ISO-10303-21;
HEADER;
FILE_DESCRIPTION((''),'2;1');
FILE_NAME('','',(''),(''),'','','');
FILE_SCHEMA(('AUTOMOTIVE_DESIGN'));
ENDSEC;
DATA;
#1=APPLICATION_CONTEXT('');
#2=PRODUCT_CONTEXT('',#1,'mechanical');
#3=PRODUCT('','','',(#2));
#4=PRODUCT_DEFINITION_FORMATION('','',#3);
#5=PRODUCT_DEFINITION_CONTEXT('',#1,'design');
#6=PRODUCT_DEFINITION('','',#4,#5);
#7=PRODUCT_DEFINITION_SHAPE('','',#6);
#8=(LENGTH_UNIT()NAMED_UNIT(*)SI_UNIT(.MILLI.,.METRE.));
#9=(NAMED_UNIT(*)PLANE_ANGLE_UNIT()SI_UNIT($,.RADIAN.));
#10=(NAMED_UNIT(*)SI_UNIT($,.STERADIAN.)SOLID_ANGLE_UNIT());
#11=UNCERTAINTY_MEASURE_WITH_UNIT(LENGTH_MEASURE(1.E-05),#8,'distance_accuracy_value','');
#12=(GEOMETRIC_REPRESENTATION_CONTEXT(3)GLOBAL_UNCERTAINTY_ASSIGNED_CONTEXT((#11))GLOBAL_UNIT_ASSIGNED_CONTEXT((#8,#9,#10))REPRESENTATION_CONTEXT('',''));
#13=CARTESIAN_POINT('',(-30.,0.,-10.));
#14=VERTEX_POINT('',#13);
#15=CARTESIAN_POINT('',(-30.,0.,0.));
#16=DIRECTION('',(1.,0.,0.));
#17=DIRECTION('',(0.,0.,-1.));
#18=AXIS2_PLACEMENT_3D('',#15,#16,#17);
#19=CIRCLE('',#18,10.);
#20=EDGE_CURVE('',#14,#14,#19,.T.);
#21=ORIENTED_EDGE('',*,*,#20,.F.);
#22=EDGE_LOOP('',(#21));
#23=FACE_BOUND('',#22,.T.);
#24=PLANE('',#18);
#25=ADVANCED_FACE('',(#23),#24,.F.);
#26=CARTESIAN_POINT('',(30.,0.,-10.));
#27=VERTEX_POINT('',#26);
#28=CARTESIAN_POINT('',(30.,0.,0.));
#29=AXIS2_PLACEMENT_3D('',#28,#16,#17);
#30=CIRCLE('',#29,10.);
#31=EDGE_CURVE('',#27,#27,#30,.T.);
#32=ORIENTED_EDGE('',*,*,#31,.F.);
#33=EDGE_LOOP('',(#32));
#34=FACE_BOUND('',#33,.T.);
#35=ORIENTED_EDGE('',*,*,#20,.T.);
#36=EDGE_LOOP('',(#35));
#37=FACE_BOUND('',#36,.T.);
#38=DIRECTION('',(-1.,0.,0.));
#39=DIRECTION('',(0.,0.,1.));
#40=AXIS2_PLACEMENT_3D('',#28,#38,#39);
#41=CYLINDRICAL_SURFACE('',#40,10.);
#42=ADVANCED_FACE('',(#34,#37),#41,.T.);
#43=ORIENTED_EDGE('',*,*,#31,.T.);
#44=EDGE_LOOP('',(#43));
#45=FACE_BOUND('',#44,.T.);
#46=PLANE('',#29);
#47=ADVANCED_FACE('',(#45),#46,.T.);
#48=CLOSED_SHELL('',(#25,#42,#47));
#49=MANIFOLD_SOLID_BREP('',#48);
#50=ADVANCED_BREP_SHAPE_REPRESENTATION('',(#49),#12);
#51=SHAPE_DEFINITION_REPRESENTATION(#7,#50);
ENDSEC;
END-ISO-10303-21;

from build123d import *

# Parameters (mm, degrees)
CROQUIS1_R              = 10
SALIENTE_EXTRUIR1_DEPTH = 30


with BuildPart() as part:
    # Croquis1 → Saliente-Extruir1 (new body, symmetric)
    with BuildSketch(Plane(origin=(0, 0, 0), x_dir=(0, 0, -1), z_dir=(1, 0, 0))):
        Circle(CROQUIS1_R)
    extrude(amount=SALIENTE_EXTRUIR1_DEPTH, both=True)


solid = part.part
